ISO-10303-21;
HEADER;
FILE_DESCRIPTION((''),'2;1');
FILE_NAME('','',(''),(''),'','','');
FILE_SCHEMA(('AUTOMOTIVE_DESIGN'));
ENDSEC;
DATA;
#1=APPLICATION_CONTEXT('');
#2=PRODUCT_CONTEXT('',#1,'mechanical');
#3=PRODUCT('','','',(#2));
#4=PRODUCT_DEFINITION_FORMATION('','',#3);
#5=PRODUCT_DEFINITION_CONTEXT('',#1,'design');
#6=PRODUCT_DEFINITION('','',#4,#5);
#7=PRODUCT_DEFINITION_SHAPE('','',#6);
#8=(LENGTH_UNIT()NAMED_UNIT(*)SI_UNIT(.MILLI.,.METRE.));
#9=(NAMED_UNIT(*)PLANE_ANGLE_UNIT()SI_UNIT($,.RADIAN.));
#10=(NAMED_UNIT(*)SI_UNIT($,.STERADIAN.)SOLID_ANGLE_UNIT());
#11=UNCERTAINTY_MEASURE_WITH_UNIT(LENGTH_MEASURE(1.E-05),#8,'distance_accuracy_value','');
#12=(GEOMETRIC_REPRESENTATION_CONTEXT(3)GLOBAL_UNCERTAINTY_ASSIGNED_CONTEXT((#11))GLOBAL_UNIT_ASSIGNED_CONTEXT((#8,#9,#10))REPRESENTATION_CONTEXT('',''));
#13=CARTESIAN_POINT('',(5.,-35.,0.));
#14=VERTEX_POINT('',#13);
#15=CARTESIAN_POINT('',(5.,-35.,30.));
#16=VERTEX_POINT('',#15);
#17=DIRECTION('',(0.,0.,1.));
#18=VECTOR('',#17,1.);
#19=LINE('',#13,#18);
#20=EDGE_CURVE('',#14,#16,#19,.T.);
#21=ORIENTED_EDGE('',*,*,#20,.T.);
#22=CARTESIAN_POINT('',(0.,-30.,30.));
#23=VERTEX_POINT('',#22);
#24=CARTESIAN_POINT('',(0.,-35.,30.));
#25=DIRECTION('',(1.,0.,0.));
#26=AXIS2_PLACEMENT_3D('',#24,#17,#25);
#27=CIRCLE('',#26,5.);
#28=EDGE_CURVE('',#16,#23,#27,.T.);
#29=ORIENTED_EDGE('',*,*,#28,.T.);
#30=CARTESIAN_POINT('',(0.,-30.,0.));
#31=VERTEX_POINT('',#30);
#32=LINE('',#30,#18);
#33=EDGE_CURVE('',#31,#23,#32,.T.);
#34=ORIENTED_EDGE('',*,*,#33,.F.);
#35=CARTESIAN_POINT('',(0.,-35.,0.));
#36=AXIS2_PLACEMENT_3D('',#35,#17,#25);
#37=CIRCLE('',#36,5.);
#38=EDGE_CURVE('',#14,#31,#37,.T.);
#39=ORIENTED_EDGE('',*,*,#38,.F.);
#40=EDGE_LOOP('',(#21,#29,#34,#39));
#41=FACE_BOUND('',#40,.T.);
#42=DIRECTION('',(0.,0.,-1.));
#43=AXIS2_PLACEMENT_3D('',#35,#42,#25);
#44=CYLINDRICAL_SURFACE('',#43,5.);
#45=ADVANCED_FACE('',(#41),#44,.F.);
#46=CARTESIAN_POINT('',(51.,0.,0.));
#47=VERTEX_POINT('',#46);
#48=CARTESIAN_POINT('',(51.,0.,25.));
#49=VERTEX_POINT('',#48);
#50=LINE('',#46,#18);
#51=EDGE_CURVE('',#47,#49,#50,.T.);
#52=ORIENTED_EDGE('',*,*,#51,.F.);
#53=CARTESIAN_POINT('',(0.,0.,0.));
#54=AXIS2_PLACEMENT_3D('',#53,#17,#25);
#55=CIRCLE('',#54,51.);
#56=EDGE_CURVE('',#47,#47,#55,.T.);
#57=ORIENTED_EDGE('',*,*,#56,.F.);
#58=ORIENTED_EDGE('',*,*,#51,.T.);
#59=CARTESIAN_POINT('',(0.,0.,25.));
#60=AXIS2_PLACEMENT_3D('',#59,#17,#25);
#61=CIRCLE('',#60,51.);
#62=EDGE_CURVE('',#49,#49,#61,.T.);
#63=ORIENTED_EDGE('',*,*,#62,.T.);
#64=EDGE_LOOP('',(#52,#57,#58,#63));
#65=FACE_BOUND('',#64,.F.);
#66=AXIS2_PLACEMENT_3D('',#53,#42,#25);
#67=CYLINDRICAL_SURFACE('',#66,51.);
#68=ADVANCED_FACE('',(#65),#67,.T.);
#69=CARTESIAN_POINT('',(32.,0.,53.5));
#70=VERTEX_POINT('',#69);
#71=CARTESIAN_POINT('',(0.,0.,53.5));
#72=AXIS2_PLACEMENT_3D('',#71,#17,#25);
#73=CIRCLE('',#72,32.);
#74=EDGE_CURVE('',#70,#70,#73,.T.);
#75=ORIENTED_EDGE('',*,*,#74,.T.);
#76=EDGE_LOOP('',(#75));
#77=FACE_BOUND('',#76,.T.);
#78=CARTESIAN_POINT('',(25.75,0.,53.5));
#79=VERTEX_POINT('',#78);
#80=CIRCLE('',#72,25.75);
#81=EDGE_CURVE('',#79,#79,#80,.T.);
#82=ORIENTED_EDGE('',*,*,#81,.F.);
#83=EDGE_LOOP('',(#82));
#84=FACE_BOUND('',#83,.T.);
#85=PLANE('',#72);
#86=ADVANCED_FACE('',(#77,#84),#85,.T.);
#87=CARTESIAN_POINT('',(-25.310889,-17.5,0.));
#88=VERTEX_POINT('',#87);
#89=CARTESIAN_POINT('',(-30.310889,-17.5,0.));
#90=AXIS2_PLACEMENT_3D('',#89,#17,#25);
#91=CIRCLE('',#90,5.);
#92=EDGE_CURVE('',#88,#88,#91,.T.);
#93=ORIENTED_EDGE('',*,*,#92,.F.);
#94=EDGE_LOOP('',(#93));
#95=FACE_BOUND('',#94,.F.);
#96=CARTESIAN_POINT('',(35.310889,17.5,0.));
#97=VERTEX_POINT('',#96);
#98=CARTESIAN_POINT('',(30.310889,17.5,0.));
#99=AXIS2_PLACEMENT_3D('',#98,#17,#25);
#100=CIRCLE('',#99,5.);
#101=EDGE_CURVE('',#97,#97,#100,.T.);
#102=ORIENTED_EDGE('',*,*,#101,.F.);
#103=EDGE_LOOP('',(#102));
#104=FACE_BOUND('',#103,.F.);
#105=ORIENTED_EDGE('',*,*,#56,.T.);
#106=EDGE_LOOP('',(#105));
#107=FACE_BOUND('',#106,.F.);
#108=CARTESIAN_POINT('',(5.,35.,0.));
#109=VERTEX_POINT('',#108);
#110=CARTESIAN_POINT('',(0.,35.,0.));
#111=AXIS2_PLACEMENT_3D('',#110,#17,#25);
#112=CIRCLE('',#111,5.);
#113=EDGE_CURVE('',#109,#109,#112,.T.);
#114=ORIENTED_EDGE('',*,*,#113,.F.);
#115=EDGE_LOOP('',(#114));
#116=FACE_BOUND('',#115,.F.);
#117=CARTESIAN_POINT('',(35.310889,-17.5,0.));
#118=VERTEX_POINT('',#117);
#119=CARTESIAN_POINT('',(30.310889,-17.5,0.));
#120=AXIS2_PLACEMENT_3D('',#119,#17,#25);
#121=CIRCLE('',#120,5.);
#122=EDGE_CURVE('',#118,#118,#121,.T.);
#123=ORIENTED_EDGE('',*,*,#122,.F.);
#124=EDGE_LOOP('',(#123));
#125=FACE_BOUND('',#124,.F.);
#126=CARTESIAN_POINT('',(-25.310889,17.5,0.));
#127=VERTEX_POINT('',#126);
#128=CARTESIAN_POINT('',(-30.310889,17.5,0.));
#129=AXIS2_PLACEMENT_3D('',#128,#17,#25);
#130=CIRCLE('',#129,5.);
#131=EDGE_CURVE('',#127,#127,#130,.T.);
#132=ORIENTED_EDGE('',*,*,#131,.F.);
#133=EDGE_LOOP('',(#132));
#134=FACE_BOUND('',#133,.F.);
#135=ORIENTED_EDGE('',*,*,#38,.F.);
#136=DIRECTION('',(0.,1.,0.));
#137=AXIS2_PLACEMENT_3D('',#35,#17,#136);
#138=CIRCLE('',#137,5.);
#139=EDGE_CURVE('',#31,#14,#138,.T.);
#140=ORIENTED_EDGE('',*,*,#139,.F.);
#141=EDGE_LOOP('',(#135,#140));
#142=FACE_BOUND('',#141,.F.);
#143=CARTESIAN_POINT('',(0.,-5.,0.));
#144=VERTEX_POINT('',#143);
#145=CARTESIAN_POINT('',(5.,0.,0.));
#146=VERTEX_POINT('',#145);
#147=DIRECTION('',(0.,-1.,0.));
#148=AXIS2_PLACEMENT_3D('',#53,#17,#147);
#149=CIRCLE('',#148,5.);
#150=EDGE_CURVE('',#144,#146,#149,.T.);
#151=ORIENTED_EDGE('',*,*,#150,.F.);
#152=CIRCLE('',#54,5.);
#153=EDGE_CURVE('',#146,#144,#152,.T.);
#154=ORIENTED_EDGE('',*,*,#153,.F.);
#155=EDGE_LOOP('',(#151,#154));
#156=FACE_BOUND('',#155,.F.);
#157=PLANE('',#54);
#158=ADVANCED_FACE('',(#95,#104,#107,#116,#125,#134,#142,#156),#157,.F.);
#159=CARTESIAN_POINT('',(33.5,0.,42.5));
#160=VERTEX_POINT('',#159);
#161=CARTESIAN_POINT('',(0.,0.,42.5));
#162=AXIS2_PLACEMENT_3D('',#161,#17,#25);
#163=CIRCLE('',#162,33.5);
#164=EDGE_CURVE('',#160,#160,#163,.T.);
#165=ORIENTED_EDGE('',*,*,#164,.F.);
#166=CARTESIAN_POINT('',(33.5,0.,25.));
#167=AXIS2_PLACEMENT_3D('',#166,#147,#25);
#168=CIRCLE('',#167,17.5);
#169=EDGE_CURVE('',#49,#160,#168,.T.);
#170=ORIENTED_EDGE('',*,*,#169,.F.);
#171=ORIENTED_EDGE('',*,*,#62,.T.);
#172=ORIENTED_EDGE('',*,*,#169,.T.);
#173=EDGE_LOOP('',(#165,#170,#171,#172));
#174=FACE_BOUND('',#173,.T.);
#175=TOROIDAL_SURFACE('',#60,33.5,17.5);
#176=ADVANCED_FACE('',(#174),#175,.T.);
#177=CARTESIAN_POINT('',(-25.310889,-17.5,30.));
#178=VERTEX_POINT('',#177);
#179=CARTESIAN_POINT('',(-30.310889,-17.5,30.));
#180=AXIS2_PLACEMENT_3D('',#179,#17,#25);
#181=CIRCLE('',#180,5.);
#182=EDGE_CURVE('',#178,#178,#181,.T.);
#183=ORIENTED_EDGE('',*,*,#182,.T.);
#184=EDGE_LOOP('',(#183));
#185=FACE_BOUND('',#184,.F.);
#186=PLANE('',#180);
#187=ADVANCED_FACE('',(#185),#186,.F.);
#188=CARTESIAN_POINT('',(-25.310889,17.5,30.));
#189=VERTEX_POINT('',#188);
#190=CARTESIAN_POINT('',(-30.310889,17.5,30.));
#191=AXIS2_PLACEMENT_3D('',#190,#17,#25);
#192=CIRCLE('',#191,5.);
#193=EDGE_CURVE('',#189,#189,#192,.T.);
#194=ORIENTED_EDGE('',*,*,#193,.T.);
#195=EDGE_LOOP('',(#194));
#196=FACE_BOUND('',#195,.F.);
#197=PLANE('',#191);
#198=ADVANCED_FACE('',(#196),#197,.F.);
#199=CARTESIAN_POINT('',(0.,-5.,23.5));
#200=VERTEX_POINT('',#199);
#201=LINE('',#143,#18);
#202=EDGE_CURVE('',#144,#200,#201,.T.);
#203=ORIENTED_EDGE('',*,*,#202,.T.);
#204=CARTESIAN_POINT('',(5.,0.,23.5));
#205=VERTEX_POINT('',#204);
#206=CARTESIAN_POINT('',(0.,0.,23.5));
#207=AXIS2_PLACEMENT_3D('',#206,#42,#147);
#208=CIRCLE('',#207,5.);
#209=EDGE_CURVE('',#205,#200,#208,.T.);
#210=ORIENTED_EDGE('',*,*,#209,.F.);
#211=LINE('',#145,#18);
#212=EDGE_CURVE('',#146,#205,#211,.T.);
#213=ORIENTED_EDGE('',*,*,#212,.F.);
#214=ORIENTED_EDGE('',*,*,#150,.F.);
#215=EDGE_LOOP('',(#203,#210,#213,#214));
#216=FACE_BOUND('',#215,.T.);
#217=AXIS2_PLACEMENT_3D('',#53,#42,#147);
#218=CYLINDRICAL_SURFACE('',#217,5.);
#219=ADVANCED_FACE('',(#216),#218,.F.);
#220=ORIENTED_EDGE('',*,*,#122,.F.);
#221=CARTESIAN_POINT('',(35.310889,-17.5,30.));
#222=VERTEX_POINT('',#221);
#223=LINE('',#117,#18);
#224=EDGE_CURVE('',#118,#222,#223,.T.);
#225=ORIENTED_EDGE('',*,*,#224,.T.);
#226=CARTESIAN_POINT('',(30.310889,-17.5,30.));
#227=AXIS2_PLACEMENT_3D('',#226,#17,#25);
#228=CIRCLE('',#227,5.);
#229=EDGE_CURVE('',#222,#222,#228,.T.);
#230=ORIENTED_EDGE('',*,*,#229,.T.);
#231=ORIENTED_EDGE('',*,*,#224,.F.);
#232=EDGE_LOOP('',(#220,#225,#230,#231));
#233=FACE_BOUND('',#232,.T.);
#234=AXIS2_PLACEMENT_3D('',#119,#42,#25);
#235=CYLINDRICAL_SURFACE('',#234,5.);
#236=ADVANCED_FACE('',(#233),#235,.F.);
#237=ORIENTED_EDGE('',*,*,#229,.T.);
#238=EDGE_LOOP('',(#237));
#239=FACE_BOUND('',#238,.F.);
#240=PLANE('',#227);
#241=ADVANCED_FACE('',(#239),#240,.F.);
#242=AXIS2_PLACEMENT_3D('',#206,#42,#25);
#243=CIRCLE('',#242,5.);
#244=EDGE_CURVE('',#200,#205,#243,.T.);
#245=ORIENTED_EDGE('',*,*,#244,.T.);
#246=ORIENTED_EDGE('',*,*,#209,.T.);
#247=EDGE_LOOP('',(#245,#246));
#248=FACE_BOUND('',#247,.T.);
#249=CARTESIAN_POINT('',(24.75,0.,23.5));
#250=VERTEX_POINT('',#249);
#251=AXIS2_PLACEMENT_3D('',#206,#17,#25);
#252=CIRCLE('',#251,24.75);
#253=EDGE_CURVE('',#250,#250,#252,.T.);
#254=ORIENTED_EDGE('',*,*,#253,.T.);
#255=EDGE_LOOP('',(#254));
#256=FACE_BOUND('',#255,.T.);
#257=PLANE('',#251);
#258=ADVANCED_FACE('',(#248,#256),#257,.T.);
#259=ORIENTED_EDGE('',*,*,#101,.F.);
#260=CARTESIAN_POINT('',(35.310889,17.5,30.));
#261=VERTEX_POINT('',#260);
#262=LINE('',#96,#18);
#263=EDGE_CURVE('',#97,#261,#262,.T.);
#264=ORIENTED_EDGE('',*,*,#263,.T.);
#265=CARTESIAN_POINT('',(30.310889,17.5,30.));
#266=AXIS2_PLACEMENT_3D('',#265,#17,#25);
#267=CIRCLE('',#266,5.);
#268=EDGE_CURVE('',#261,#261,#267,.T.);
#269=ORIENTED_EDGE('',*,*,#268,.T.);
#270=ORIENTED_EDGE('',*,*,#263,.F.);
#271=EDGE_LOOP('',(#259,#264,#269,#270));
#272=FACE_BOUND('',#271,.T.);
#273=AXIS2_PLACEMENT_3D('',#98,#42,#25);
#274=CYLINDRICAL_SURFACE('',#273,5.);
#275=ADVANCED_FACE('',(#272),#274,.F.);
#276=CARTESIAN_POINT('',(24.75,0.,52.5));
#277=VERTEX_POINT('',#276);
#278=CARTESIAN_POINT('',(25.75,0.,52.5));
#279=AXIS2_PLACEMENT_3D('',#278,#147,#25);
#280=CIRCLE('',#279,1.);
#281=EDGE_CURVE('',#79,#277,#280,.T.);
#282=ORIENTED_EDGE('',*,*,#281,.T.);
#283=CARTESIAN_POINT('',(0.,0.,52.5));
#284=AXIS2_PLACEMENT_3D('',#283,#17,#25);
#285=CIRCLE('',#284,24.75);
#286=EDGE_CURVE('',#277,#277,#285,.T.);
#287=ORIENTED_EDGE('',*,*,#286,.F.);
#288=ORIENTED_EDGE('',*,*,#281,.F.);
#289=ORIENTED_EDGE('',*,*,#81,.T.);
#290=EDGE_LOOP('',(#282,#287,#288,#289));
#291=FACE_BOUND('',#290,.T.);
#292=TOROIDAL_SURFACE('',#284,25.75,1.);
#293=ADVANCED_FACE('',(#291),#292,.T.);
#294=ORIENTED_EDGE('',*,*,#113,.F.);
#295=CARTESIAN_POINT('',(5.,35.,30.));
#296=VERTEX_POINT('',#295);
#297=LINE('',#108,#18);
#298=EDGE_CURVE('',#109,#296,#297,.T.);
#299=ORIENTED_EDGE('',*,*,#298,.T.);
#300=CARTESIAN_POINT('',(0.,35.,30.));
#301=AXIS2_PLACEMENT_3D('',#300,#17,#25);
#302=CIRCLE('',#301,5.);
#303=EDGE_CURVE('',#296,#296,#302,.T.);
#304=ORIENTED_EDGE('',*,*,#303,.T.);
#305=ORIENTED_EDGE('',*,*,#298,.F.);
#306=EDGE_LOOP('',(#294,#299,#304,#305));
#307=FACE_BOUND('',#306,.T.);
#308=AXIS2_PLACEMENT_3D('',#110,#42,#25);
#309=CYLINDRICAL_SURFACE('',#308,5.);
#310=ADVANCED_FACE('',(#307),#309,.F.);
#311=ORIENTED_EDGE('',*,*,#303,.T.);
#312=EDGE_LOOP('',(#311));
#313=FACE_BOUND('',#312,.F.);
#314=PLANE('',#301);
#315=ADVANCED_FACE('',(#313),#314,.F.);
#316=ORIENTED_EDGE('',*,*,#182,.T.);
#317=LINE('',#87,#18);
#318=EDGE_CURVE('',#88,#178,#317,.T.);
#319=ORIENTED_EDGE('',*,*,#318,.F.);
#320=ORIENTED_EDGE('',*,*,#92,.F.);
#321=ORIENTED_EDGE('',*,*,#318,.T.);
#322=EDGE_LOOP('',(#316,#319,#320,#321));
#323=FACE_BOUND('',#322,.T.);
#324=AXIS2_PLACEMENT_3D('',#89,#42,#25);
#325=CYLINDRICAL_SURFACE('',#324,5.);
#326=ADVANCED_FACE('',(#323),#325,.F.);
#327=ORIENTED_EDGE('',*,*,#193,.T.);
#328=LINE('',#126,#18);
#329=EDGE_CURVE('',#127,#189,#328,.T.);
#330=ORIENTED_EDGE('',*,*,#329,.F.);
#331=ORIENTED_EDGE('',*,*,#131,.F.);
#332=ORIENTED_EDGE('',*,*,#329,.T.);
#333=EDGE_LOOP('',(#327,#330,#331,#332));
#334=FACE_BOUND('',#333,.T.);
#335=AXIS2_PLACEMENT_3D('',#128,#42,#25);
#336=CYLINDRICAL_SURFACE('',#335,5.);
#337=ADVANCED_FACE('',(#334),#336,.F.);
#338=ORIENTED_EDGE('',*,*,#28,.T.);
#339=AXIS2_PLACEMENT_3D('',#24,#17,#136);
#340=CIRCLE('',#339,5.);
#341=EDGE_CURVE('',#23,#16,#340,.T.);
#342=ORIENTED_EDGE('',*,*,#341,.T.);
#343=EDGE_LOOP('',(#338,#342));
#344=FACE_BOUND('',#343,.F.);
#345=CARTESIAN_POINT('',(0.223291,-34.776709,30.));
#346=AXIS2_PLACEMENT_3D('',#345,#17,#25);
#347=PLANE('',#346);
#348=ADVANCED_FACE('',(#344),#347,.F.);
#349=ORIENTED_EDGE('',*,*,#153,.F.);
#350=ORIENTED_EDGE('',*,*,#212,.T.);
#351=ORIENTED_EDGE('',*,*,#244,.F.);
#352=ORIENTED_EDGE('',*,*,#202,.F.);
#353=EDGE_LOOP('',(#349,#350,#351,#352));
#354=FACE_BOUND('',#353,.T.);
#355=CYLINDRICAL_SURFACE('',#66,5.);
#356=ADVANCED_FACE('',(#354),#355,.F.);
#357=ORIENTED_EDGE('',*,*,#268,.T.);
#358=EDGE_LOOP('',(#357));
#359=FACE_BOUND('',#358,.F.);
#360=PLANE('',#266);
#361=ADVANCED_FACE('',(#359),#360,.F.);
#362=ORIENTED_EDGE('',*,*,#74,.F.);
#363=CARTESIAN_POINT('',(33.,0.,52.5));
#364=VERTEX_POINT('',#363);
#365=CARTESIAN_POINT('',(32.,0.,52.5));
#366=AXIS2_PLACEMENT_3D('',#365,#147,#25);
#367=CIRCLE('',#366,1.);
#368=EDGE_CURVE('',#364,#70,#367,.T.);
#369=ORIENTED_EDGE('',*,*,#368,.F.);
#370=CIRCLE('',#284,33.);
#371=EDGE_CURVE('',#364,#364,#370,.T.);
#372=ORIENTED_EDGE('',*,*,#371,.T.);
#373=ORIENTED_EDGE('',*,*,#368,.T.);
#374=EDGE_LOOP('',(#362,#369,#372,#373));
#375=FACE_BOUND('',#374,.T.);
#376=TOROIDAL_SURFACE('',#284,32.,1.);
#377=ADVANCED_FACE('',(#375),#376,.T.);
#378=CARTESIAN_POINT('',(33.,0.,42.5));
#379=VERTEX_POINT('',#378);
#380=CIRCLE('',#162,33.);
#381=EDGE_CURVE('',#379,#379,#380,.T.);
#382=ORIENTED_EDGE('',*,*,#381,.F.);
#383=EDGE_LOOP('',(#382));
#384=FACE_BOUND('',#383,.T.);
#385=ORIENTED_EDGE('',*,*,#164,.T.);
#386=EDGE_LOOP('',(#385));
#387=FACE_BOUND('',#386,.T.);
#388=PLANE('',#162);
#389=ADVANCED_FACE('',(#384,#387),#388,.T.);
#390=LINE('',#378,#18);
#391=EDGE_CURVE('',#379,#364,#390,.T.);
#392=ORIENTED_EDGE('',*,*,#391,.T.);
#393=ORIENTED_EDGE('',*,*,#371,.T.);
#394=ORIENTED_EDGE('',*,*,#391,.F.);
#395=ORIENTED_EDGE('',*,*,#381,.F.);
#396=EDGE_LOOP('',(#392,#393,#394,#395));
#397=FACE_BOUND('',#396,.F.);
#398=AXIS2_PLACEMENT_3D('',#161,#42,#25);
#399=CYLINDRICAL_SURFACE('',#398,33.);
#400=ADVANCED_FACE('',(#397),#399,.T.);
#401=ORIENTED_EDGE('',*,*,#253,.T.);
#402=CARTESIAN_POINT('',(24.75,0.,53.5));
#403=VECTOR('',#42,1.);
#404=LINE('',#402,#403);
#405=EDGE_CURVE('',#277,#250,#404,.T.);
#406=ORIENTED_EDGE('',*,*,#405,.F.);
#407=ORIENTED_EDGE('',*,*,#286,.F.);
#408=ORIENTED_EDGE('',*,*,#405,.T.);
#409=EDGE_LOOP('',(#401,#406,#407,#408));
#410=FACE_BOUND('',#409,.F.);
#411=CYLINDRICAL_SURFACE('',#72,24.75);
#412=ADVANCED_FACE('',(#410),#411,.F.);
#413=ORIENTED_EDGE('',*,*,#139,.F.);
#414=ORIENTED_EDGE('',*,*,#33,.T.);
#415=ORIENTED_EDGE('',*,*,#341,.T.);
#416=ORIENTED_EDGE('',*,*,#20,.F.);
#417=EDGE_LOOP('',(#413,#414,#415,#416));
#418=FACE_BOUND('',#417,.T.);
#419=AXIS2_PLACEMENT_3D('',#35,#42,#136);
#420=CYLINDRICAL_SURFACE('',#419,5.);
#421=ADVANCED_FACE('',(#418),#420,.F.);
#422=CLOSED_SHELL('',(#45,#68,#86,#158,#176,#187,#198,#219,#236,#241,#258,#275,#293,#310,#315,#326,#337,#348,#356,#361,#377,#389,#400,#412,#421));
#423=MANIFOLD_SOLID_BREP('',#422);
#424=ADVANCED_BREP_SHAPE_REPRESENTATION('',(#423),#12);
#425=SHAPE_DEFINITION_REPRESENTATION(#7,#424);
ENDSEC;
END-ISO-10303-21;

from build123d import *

# Parameters (mm, degrees)
F0_R     = 51
F1_DEPTH = 42.5
F2_R     = 17.5
F3_R     = 5
F4_DEPTH = 30
F5_R     = 33
F6_DEPTH = 11
F7_R     = 1
F8_R     = 24.75
F9_DEPTH = 30
F10_R    = 1


with BuildPart() as f1:
    # F0 (on Top) → F1 (new body)
    with BuildSketch(Plane.XY):
        Circle(F0_R)
    extrude(amount=F1_DEPTH)

    # F2
    f2_edges = [f1.edges().sort_by_distance(p)[0] for p in [
        (-51, 0, 42.5),
    ]]
    fillet(f2_edges, radius=F2_R)

    # F3 (on Top) → F4 (cut)
    with BuildSketch(Plane.XY):
        with Locations((-30.3108891325, -17.5)):
            Circle(F3_R)
        with BuildLine():
            ThreePointArc((5, -35), (3.5355339059, -31.4644660941), (0, -30))
            ThreePointArc((0, -30), (-3.5355339059, -38.5355339059), (5, -35))
        make_face()
        with Locations((30.3108891325, -17.5)):
            Circle(F3_R)
        with Locations((30.3108891325, 17.5)):
            Circle(F3_R)
        with BuildLine():
            ThreePointArc((0, -5), (3.5355339059, -3.5355339059), (5, 0))
            ThreePointArc((5, 0), (-3.5355339059, 3.5355339059), (0, -5))
        make_face()
        with Locations((0, 35)):
            Circle(F3_R)
        with Locations((-30.3108891325, 17.5)):
            Circle(F3_R)
    extrude(amount=F4_DEPTH, mode=Mode.SUBTRACT)

    # F5 (on face) → F6 (join)
    with BuildSketch(Plane.XY.offset(42.5)):
        Circle(F5_R)
    extrude(amount=F6_DEPTH)

    # F7
    f7_edges = [f1.edges().sort_by_distance(p)[0] for p in [
        (-33, 0, 53.5),
    ]]
    fillet(f7_edges, radius=F7_R)

    # F8 (on face) → F9 (cut)
    with BuildSketch(Plane.XY.offset(53.5)):
        Circle(F8_R)
    extrude(amount=-F9_DEPTH, mode=Mode.SUBTRACT)

    # F10
    f10_edges = [f1.edges().sort_by_distance(p)[0] for p in [
        (-32, 0, 53.5),
        (-24.75, 0, 53.5),
    ]]
    fillet(f10_edges, radius=F10_R)


solid = f1.part
